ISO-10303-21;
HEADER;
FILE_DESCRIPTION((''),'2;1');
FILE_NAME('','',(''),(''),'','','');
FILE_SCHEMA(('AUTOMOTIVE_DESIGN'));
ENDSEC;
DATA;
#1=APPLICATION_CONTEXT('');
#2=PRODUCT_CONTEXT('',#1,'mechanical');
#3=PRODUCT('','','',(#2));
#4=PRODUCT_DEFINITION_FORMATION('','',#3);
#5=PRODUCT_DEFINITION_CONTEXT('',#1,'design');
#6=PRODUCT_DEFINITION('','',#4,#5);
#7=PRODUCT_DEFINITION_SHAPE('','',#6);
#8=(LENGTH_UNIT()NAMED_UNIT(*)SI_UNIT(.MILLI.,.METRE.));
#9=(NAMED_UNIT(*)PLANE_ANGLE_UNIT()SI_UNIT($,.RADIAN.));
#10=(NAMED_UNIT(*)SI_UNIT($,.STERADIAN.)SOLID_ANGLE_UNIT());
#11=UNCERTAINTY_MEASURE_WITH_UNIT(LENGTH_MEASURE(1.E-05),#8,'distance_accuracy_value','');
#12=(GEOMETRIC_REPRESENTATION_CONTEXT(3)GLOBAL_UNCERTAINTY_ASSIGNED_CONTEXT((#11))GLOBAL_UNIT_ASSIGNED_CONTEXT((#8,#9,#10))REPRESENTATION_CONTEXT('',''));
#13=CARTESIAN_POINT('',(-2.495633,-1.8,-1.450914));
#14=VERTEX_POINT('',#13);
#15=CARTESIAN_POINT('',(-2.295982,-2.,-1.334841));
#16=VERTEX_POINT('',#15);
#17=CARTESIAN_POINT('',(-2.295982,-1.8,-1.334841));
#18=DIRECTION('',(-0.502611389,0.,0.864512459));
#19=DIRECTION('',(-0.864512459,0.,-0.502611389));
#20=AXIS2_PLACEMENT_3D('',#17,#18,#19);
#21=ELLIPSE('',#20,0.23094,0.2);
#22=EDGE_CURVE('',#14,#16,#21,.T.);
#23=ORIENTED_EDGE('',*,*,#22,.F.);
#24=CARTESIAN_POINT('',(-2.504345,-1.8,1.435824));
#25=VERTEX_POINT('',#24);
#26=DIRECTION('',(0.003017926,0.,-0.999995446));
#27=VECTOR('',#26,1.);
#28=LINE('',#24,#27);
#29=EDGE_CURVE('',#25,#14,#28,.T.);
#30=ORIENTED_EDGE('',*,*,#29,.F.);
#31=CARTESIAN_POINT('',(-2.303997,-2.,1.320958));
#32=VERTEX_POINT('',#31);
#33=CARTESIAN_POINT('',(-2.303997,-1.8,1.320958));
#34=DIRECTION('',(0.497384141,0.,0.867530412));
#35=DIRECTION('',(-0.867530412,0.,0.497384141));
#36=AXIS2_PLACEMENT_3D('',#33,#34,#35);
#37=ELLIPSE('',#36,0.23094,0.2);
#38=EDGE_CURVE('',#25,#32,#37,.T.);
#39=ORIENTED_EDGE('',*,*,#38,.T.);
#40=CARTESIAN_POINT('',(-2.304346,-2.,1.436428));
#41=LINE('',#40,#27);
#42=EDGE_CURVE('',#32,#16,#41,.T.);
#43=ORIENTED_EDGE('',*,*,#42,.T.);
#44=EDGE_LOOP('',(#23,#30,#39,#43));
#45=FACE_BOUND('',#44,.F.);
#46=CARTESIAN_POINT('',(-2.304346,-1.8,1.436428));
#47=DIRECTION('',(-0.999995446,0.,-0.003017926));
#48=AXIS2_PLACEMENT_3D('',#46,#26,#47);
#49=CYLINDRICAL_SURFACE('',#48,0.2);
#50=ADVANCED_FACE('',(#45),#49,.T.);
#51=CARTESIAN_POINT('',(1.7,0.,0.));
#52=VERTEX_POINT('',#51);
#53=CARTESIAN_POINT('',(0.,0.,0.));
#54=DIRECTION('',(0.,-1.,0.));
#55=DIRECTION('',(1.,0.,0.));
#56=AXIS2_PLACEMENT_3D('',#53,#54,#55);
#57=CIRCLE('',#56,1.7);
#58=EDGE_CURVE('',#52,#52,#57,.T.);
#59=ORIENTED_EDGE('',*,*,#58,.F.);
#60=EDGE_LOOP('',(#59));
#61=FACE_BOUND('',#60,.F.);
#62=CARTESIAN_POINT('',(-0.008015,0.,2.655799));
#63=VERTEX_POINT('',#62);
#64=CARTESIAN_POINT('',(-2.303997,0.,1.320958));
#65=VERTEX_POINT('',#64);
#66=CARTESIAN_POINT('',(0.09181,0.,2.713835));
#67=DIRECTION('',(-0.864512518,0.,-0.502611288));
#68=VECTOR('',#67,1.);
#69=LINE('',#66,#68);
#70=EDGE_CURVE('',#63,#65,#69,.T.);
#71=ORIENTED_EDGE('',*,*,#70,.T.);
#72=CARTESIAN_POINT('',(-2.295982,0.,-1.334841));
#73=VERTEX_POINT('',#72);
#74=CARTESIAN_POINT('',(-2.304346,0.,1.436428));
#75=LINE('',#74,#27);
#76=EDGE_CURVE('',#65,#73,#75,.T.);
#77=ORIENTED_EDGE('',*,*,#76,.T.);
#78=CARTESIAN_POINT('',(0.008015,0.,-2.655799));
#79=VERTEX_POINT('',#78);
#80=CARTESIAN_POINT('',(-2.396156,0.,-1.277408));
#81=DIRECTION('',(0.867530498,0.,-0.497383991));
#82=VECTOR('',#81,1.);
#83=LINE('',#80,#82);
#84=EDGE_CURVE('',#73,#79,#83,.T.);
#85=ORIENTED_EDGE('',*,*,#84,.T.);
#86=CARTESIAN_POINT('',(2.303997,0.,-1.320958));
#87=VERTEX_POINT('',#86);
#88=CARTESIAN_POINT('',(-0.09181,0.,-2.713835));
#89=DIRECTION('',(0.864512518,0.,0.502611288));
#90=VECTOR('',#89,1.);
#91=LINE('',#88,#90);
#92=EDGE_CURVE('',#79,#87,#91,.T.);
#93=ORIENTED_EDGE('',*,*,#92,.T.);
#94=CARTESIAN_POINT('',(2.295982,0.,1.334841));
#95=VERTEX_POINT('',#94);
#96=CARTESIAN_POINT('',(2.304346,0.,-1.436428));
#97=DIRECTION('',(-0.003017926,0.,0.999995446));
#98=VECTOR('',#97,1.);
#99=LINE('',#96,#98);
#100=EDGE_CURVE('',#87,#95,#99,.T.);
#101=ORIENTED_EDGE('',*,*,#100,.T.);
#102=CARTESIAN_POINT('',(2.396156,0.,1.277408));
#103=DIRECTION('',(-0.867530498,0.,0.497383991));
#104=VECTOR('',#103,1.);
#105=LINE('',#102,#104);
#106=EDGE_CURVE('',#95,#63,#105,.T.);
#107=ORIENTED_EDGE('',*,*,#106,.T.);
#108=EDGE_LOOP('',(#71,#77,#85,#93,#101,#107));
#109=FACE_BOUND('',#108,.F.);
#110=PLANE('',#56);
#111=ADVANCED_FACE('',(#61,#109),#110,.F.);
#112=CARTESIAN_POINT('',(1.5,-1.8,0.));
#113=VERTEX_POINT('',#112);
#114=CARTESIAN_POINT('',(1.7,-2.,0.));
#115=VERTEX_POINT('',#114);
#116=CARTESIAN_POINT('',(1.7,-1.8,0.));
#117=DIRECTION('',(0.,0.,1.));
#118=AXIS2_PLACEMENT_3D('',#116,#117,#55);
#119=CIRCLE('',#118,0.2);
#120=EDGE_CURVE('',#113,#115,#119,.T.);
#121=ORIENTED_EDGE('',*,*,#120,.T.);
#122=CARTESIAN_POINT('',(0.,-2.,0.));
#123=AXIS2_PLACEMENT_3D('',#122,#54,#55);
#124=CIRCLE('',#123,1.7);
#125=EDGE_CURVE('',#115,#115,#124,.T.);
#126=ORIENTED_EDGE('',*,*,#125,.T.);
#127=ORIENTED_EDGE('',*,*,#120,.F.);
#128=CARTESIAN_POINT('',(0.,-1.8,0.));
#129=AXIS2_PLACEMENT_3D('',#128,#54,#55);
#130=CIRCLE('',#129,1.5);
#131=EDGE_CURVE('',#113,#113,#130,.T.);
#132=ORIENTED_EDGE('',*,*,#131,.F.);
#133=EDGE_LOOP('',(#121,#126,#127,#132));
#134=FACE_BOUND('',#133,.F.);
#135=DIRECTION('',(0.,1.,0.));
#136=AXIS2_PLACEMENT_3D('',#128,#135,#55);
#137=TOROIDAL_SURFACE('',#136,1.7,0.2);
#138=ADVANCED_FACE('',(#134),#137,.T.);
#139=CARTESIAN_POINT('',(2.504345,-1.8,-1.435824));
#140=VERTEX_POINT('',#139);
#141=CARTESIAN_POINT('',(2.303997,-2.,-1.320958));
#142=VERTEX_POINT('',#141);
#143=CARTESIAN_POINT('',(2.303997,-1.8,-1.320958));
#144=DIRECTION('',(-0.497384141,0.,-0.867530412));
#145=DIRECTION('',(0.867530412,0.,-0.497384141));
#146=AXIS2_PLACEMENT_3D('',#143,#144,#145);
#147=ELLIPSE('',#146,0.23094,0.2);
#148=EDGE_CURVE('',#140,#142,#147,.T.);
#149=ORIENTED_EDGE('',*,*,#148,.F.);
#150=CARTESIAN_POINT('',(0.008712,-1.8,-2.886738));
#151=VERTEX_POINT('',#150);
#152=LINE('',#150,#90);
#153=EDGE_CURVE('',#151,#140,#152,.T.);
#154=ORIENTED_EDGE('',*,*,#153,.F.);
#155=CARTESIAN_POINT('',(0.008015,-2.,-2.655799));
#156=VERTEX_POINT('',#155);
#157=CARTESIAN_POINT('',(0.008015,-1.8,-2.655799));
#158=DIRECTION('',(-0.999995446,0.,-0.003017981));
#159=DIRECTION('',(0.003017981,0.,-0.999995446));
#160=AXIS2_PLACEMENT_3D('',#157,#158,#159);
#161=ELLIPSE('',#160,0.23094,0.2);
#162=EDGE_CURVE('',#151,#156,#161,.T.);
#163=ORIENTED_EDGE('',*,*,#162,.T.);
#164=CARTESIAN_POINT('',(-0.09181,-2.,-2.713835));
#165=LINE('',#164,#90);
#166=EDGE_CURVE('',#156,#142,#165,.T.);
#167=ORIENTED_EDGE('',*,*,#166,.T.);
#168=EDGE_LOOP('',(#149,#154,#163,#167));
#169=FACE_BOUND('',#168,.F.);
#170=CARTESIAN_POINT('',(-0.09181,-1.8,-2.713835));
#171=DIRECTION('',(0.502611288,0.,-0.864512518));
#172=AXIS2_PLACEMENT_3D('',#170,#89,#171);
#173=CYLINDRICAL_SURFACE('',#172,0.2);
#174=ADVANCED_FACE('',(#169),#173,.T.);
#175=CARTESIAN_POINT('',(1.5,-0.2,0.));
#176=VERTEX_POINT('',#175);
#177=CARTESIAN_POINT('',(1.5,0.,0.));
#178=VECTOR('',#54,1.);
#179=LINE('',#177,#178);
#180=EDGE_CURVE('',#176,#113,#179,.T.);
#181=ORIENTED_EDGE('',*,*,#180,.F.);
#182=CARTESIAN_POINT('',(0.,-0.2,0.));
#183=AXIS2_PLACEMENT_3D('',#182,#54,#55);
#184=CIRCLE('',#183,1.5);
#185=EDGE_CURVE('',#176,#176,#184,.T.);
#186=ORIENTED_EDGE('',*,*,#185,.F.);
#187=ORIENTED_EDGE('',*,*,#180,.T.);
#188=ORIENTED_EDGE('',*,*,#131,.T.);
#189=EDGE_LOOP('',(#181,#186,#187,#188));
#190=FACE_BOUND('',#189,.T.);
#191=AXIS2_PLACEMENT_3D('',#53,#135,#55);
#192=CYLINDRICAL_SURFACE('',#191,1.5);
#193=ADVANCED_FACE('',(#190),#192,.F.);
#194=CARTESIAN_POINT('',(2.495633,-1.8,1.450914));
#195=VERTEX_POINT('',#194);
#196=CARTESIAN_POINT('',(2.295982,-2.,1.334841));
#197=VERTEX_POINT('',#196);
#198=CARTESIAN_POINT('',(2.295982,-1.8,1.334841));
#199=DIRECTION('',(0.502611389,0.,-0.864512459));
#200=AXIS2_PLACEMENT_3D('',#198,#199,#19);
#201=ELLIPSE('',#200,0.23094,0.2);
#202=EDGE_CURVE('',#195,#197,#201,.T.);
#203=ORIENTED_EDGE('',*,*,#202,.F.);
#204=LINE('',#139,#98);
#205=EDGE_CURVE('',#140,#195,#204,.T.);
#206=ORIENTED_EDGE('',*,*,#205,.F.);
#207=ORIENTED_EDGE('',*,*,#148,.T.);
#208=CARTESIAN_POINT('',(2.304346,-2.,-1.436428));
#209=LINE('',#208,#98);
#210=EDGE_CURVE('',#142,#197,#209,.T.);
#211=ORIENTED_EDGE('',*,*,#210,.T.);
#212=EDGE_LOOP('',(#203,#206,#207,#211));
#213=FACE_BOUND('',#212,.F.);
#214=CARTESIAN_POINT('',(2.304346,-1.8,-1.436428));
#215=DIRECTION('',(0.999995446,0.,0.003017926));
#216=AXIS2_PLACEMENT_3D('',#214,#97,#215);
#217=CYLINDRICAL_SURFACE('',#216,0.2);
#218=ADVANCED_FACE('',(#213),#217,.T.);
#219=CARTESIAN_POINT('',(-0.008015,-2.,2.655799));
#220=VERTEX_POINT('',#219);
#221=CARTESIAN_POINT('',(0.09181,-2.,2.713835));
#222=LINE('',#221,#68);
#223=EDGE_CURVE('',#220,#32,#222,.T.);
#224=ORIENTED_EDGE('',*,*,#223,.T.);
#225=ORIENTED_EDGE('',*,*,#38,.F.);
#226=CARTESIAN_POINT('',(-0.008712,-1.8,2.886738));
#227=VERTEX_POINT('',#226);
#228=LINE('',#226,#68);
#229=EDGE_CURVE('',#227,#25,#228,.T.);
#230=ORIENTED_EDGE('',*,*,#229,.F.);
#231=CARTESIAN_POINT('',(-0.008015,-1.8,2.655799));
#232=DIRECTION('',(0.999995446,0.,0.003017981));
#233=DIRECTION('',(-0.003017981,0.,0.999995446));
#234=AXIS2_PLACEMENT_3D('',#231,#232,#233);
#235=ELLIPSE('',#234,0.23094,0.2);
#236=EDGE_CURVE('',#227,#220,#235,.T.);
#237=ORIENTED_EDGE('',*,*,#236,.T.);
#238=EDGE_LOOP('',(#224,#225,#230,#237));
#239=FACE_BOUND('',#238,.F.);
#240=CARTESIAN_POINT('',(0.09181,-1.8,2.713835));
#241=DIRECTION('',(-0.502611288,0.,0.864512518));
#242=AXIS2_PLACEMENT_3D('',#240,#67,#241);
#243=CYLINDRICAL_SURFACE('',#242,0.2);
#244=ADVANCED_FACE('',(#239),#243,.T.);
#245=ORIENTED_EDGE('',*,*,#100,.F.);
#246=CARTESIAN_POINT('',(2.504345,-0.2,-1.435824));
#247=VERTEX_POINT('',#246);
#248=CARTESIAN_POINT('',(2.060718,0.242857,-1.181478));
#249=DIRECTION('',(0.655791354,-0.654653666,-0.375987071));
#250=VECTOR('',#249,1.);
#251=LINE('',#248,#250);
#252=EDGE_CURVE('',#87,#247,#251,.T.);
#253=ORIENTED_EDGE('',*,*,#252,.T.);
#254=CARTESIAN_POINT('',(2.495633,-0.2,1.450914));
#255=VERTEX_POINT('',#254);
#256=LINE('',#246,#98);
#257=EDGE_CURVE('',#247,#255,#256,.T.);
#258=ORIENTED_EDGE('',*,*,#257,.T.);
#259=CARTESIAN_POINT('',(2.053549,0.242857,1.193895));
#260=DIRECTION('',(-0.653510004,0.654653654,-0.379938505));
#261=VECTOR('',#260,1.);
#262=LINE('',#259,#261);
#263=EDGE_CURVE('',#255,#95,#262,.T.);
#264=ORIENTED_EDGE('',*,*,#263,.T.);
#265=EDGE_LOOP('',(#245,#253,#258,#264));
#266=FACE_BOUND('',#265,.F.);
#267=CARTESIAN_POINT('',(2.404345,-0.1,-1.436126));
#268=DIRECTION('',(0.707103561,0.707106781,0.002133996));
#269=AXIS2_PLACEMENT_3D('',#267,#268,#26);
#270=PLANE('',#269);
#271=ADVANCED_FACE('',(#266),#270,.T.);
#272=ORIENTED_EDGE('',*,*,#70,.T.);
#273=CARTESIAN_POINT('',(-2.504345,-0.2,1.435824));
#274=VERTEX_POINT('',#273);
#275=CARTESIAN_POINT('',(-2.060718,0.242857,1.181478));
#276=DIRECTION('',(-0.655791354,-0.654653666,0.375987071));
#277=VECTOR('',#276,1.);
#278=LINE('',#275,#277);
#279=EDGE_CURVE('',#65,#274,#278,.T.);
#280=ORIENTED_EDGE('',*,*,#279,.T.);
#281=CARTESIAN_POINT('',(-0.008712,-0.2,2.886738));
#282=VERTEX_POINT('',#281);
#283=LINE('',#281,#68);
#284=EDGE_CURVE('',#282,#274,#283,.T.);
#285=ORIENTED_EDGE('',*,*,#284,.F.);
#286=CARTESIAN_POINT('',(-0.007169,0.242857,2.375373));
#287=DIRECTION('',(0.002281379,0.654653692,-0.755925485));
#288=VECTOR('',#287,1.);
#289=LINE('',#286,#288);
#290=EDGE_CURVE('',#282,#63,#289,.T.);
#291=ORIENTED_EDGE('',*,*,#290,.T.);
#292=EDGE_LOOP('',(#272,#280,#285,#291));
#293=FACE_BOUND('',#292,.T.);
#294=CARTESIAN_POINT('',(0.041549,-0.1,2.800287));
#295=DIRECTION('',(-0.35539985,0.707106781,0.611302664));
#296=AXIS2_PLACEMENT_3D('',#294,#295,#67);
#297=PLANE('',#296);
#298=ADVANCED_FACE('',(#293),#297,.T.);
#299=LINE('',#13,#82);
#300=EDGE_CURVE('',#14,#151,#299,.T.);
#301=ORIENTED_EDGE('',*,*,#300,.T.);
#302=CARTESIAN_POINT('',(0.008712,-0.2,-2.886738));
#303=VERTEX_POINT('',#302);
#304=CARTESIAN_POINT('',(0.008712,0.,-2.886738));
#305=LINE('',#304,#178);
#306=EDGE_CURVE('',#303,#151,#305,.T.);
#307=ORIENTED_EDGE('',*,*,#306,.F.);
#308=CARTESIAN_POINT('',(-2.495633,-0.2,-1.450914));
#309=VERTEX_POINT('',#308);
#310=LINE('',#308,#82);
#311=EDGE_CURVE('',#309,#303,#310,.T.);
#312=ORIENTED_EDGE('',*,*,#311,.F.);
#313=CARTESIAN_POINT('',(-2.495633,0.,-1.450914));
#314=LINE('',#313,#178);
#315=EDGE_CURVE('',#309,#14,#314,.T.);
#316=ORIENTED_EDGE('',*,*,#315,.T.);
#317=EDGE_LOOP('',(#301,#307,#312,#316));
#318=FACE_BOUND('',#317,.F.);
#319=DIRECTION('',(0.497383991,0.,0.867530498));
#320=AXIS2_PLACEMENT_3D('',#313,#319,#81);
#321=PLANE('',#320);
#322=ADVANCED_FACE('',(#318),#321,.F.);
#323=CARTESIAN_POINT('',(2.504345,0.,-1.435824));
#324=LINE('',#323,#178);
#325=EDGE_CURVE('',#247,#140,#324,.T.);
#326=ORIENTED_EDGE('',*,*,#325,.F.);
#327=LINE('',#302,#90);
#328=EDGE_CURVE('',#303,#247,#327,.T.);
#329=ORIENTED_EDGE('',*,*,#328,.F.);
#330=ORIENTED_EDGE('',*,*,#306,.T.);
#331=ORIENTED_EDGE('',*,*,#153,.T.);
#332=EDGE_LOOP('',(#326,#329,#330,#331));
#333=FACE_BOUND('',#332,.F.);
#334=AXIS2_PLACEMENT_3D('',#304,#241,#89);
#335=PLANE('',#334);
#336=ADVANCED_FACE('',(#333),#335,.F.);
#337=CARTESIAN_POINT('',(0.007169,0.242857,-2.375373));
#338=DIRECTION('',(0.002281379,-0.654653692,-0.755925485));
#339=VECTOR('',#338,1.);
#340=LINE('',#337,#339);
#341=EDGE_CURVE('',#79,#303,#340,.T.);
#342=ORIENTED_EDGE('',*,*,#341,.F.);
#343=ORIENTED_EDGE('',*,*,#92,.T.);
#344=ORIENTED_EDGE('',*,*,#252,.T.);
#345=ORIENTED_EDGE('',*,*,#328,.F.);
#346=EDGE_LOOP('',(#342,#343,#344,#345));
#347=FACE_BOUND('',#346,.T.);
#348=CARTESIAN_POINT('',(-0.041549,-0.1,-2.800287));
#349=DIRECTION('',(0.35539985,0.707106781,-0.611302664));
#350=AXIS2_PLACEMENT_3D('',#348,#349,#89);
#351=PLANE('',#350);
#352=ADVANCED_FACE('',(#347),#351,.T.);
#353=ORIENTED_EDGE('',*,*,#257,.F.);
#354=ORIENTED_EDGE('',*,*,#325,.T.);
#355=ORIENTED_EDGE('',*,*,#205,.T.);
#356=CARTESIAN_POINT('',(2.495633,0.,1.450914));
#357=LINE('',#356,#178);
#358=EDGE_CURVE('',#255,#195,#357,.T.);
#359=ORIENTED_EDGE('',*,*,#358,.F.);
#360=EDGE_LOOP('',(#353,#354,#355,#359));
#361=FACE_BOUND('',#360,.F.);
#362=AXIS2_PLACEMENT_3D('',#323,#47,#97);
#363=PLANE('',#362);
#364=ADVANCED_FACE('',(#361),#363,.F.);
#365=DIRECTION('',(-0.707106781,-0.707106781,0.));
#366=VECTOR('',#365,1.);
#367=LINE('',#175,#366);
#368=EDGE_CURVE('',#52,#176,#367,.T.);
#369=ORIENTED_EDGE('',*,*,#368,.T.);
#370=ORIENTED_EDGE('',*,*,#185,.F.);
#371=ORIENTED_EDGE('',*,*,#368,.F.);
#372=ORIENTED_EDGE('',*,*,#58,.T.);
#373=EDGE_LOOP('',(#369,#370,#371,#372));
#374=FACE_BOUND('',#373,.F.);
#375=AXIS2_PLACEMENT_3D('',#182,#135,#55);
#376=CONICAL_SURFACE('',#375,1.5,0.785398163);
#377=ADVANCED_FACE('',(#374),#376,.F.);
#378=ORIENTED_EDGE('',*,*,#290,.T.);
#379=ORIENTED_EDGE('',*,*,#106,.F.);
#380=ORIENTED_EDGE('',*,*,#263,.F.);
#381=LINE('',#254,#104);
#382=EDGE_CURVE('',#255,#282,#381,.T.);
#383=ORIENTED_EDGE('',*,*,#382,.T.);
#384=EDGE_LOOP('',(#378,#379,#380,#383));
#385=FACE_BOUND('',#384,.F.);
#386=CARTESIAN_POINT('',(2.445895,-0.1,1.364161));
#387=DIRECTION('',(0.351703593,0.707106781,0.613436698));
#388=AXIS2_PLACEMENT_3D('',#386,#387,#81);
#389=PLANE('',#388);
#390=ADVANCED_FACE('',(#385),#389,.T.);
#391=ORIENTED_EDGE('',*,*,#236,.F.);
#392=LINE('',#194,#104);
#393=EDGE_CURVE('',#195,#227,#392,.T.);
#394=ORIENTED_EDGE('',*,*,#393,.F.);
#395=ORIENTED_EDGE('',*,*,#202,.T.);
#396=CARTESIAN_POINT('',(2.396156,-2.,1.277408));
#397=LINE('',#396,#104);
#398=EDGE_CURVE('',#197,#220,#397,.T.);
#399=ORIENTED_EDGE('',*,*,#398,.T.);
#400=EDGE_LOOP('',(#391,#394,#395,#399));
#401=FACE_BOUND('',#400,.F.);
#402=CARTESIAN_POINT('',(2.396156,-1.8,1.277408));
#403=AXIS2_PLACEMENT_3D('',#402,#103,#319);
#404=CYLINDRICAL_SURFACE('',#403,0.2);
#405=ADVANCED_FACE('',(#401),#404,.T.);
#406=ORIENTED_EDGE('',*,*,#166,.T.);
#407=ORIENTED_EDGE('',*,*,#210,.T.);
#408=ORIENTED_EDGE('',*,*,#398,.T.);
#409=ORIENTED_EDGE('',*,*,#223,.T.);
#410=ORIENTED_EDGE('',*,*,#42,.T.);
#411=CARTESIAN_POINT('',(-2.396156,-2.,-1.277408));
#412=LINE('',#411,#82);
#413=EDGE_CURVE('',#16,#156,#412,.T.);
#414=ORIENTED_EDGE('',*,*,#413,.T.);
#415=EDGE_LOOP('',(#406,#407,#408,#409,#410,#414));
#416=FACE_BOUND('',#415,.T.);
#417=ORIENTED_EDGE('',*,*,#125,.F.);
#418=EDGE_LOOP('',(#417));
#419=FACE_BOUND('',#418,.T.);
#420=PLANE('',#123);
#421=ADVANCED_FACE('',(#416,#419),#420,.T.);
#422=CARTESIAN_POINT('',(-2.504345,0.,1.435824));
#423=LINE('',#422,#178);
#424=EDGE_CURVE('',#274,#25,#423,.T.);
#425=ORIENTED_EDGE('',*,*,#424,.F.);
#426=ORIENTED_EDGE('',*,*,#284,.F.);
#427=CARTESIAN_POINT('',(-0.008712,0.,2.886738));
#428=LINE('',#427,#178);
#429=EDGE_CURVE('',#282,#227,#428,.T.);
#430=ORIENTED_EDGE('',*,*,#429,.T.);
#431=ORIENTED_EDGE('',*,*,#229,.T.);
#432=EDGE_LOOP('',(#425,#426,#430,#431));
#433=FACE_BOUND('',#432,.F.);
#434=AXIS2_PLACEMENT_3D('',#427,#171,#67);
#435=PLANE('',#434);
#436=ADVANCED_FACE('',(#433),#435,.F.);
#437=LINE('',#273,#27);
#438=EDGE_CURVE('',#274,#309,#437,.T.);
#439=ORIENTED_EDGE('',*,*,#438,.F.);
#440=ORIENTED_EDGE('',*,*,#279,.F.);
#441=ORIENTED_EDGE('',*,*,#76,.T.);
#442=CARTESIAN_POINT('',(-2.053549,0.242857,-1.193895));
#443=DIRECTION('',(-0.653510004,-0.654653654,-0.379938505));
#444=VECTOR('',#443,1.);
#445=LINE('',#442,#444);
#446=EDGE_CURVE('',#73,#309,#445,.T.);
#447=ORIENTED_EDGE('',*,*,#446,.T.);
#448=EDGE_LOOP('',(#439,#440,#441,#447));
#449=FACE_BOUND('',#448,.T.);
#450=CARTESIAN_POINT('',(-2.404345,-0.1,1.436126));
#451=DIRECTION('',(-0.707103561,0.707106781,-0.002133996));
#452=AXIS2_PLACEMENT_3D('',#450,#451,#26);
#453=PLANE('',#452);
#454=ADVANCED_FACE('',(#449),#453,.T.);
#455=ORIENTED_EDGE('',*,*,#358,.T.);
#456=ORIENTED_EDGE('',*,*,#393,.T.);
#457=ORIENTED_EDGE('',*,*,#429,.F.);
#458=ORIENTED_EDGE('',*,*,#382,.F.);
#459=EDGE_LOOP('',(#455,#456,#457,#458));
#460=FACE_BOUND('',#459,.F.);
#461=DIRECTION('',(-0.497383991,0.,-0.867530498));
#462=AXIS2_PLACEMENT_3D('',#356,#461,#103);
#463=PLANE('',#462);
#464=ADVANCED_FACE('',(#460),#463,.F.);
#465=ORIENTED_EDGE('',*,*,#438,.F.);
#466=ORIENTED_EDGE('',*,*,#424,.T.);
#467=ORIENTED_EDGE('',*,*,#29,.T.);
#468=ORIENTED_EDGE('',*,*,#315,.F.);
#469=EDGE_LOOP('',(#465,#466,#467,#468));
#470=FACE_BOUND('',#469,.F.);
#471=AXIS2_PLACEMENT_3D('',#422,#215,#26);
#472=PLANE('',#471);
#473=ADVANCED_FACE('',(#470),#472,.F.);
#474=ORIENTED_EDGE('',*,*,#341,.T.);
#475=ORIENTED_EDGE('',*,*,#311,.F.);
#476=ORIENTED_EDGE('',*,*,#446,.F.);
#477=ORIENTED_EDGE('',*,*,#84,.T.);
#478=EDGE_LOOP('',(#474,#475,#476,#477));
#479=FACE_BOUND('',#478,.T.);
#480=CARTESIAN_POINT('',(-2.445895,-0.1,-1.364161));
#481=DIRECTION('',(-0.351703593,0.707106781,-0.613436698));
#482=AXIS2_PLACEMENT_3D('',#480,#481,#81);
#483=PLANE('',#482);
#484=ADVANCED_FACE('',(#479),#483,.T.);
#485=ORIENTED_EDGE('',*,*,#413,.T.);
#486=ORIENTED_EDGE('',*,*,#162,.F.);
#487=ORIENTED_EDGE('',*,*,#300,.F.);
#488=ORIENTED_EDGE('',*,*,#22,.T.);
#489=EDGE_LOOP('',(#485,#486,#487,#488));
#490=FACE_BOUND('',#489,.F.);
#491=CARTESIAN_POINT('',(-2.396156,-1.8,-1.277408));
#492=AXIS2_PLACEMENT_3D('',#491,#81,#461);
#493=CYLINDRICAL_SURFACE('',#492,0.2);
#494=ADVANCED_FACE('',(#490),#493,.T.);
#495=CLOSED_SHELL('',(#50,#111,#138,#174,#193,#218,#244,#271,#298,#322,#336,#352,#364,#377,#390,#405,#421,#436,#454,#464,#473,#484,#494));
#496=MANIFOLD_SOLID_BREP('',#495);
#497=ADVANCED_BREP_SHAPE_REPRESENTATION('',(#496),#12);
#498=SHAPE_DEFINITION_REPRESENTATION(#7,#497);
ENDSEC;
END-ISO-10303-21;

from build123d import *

# Parameters (mm, degrees)
F0_R     = 1.5
F1_DEPTH = 2
F2_R     = 0.2
F3_SIZE  = 0.2


with BuildPart() as f1:
    # F0 (on Front) → F1 (new body)
    with BuildSketch(Plane.XZ):
        Polygon((2.495633, 1.450914), (-0.008712, 2.886738), (-2.504345, 1.435824), (-2.495633, -1.450914), (0.008712, -2.886738), (2.504345, -1.435824), align=None)
        Circle(F0_R, mode=Mode.SUBTRACT)
    extrude(amount=F1_DEPTH)

    # F2
    f2_edges = [f1.edges().sort_by_distance(p)[0] for p in [
        (1.24346, -2, 2.168826),
        (-1.256528, -2, 2.161281),
        (-2.499989, -2, -0.007545),
        (-1.24346, -2, -2.168826),
        (1.256528, -2, -2.161281),
        (2.499989, -2, 0.007545),
        (-1.5, -2, 0),
    ]]
    fillet(f2_edges, radius=F2_R)

    # F3
    f3_edges = [f1.edges().sort_by_distance(p)[0] for p in [
        (1.24346, 0, 2.168826),
        (-1.256528, 0, 2.161281),
        (-2.499989, 0, -0.007545),
        (-1.24346, 0, -2.168826),
        (1.256528, 0, -2.161281),
        (2.499989, 0, 0.007545),
        (-1.5, 0, 0),
    ]]
    chamfer(f3_edges, length=F3_SIZE)


solid = f1.part
